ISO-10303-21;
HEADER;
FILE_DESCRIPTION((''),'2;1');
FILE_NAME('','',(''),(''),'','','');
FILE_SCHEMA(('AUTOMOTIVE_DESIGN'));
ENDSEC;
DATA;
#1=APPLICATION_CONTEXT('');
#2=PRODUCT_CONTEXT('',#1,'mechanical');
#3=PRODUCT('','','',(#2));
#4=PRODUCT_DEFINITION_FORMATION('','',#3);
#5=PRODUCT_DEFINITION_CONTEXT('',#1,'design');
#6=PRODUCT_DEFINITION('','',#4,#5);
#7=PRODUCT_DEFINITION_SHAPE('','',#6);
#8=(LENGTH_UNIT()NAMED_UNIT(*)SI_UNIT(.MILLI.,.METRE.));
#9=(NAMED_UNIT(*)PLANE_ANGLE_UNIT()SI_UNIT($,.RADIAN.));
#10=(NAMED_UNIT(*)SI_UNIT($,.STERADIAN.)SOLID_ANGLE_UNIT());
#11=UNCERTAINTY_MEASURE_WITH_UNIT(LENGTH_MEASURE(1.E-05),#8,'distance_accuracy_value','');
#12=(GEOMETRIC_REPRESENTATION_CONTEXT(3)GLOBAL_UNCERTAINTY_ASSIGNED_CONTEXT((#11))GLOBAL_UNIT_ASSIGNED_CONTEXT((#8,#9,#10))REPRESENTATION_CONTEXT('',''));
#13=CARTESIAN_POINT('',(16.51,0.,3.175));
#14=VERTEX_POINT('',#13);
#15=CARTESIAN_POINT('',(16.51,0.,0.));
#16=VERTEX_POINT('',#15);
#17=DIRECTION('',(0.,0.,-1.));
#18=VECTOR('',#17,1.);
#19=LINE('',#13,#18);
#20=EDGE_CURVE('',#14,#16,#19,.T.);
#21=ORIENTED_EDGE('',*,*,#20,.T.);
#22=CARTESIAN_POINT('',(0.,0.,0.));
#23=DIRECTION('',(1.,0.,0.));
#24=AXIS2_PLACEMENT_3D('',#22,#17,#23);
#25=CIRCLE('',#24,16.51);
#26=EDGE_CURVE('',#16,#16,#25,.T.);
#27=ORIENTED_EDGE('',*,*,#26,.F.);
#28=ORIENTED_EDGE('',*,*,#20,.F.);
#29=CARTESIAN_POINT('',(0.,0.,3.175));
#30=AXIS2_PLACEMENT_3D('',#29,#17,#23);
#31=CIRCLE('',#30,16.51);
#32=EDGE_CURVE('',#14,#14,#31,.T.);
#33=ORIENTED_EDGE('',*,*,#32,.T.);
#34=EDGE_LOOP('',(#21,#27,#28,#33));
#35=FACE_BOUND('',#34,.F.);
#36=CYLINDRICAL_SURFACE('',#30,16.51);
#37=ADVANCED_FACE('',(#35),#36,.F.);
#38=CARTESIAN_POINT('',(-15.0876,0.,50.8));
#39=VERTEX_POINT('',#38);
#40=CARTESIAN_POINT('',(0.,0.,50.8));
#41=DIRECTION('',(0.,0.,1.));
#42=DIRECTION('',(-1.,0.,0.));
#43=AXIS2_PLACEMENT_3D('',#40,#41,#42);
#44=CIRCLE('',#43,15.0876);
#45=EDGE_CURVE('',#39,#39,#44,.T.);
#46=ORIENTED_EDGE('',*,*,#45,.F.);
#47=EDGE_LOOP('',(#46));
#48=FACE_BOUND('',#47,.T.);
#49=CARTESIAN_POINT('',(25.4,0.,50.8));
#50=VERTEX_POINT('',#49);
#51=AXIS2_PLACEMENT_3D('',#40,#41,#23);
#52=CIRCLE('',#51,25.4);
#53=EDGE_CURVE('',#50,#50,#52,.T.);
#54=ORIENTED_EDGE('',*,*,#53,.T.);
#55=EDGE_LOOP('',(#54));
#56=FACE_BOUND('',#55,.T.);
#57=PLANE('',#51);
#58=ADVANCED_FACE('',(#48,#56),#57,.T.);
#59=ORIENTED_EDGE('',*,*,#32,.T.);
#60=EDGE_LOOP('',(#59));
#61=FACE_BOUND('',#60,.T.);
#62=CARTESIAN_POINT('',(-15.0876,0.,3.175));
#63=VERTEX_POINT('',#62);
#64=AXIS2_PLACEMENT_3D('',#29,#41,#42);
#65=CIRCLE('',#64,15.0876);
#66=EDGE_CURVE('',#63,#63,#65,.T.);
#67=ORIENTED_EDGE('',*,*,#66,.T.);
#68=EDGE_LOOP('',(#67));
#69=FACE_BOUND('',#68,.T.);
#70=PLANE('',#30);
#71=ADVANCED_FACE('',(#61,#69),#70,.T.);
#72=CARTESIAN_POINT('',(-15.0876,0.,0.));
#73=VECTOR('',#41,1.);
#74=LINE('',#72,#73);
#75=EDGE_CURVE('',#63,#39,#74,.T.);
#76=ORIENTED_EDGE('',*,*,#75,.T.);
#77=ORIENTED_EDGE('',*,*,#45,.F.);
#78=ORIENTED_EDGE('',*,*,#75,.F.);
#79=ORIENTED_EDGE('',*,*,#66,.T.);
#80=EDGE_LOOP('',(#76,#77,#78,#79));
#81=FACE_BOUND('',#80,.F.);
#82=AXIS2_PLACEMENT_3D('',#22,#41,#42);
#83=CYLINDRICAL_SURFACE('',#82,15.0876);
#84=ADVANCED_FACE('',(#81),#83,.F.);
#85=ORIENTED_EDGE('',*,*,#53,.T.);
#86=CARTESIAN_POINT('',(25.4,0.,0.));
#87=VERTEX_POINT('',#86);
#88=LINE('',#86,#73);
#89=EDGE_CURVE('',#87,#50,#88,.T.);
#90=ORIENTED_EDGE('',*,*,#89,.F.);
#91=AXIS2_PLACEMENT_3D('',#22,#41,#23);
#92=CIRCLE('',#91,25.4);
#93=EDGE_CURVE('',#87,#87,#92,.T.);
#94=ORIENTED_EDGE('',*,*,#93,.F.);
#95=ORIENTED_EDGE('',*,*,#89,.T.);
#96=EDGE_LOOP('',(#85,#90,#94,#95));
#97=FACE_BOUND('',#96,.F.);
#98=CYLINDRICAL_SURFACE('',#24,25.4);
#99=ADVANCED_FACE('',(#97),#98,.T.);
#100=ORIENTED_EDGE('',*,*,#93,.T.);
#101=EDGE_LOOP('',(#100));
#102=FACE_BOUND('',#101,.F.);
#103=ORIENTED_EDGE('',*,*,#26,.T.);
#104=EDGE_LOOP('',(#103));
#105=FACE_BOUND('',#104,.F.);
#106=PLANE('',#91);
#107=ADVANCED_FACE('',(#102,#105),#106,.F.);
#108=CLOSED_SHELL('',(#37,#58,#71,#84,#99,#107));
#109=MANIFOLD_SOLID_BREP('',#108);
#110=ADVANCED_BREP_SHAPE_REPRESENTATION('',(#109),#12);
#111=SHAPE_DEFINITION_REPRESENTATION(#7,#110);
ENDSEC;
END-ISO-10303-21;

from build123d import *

# Parameters (mm, degrees)
F0_R           = 25.4
F1_DEPTH       = 50.8
F3_D           = 30.1752
F3_CBORE_D     = 33.02
F3_CBORE_DEPTH = 3.175


with BuildPart() as f1:
    # F0 (on Top) → F1 (new body)
    with BuildSketch(Plane.XY):
        Circle(F0_R)
    extrude(amount=F1_DEPTH)

    # F3 (through all)
    with Locations(Plane(origin=(0, 0, 0), x_dir=(1, 0, 0), z_dir=(0, 0, -1))):
        with Locations((0, 0)):
            CounterBoreHole(F3_D / 2, F3_CBORE_D / 2, F3_CBORE_DEPTH)


solid = f1.part
